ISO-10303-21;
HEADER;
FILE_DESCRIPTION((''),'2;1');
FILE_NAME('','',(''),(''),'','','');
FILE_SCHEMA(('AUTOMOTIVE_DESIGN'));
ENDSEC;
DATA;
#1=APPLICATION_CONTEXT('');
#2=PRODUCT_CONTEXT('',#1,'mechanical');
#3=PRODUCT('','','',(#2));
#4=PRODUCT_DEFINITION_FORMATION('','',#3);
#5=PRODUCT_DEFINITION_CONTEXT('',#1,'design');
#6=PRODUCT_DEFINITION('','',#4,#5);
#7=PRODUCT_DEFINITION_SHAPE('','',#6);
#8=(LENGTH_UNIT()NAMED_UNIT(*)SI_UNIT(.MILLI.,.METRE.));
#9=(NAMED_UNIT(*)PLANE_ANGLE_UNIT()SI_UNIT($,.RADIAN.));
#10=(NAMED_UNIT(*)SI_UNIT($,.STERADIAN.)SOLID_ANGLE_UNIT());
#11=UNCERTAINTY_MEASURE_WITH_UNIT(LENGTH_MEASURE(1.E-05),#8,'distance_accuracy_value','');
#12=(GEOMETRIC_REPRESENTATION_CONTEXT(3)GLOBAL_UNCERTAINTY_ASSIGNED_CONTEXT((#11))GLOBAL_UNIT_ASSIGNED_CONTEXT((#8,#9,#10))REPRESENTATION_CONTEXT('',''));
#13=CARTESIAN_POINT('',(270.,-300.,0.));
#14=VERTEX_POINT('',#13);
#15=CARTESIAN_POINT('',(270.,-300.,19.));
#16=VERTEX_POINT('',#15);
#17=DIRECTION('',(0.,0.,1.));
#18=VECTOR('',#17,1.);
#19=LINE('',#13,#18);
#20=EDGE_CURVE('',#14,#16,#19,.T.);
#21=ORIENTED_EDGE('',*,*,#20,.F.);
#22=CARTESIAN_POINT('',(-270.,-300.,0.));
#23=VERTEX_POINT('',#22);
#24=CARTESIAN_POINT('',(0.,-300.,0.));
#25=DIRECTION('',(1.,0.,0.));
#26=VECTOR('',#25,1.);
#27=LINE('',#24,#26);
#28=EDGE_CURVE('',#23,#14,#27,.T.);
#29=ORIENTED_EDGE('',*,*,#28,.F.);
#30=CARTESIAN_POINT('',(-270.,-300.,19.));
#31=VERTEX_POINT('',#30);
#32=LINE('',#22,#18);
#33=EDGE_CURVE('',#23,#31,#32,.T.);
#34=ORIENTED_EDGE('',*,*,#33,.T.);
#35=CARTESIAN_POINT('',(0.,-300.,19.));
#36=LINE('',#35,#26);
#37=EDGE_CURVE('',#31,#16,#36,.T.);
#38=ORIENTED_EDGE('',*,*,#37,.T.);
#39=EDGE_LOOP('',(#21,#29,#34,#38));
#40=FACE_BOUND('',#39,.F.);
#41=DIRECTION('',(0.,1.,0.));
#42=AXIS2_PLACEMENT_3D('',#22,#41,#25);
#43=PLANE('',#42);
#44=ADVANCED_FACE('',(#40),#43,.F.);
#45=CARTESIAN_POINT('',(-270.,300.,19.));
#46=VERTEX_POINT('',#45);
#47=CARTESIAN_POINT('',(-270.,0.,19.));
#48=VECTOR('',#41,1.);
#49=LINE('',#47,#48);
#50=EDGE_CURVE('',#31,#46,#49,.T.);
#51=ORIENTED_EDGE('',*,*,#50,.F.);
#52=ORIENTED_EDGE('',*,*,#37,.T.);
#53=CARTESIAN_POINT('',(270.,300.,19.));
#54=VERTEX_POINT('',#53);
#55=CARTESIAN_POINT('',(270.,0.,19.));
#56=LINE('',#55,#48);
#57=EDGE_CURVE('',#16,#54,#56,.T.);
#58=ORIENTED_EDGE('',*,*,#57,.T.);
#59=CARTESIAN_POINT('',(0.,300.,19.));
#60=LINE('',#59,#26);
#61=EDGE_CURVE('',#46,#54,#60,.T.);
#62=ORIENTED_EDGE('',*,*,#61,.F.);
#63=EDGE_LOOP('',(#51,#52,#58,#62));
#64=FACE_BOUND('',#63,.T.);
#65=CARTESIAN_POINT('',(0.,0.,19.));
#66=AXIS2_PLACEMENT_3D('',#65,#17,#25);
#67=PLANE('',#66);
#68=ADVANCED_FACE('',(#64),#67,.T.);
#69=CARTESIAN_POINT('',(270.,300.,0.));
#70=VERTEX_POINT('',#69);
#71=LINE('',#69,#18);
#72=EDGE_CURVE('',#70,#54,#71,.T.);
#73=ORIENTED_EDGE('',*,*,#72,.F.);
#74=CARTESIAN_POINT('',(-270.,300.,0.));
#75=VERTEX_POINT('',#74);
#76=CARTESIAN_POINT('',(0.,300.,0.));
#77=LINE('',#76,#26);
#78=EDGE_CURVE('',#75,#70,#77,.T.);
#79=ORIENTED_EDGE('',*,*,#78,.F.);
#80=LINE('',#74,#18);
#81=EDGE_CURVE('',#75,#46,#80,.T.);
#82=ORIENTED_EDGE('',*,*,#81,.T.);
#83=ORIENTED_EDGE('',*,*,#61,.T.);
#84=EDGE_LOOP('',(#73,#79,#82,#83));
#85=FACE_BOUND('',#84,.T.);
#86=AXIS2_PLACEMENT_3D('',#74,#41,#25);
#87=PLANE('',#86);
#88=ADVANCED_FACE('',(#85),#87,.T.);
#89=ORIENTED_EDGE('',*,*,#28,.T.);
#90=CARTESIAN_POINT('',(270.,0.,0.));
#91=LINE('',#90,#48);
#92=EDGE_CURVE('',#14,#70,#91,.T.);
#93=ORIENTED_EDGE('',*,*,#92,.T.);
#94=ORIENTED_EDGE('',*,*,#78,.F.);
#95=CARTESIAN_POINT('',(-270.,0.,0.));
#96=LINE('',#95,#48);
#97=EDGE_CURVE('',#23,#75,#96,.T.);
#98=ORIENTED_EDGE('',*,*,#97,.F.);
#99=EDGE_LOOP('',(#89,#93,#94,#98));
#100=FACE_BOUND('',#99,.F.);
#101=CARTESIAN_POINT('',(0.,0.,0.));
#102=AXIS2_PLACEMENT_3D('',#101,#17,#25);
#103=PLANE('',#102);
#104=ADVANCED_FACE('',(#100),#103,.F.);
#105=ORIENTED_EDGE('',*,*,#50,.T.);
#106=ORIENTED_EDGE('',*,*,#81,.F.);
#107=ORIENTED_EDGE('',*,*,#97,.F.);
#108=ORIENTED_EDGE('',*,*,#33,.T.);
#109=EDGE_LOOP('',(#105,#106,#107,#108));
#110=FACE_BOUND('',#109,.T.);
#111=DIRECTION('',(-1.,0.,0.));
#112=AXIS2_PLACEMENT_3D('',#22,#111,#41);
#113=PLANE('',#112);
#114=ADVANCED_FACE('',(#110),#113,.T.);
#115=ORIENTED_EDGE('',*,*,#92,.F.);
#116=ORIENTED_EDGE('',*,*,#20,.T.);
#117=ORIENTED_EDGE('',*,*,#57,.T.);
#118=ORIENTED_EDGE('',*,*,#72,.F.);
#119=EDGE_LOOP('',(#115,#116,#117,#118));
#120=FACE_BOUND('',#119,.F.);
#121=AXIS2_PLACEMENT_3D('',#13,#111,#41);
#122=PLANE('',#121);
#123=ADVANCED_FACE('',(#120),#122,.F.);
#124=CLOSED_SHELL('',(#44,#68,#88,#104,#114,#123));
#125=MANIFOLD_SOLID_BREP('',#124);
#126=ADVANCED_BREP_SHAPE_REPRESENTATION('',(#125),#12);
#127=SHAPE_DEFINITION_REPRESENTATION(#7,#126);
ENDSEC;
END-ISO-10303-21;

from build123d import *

# Parameters (mm, degrees)
SKETCH003_W  = 540
SKETCH003_H  = 600
PAD003_DEPTH = 19


with BuildPart() as part:
    # Sketch003 → Pad003 (new body)
    with BuildSketch(Plane.XY):
        Rectangle(SKETCH003_W, SKETCH003_H)
    extrude(amount=PAD003_DEPTH)


solid = part.part
